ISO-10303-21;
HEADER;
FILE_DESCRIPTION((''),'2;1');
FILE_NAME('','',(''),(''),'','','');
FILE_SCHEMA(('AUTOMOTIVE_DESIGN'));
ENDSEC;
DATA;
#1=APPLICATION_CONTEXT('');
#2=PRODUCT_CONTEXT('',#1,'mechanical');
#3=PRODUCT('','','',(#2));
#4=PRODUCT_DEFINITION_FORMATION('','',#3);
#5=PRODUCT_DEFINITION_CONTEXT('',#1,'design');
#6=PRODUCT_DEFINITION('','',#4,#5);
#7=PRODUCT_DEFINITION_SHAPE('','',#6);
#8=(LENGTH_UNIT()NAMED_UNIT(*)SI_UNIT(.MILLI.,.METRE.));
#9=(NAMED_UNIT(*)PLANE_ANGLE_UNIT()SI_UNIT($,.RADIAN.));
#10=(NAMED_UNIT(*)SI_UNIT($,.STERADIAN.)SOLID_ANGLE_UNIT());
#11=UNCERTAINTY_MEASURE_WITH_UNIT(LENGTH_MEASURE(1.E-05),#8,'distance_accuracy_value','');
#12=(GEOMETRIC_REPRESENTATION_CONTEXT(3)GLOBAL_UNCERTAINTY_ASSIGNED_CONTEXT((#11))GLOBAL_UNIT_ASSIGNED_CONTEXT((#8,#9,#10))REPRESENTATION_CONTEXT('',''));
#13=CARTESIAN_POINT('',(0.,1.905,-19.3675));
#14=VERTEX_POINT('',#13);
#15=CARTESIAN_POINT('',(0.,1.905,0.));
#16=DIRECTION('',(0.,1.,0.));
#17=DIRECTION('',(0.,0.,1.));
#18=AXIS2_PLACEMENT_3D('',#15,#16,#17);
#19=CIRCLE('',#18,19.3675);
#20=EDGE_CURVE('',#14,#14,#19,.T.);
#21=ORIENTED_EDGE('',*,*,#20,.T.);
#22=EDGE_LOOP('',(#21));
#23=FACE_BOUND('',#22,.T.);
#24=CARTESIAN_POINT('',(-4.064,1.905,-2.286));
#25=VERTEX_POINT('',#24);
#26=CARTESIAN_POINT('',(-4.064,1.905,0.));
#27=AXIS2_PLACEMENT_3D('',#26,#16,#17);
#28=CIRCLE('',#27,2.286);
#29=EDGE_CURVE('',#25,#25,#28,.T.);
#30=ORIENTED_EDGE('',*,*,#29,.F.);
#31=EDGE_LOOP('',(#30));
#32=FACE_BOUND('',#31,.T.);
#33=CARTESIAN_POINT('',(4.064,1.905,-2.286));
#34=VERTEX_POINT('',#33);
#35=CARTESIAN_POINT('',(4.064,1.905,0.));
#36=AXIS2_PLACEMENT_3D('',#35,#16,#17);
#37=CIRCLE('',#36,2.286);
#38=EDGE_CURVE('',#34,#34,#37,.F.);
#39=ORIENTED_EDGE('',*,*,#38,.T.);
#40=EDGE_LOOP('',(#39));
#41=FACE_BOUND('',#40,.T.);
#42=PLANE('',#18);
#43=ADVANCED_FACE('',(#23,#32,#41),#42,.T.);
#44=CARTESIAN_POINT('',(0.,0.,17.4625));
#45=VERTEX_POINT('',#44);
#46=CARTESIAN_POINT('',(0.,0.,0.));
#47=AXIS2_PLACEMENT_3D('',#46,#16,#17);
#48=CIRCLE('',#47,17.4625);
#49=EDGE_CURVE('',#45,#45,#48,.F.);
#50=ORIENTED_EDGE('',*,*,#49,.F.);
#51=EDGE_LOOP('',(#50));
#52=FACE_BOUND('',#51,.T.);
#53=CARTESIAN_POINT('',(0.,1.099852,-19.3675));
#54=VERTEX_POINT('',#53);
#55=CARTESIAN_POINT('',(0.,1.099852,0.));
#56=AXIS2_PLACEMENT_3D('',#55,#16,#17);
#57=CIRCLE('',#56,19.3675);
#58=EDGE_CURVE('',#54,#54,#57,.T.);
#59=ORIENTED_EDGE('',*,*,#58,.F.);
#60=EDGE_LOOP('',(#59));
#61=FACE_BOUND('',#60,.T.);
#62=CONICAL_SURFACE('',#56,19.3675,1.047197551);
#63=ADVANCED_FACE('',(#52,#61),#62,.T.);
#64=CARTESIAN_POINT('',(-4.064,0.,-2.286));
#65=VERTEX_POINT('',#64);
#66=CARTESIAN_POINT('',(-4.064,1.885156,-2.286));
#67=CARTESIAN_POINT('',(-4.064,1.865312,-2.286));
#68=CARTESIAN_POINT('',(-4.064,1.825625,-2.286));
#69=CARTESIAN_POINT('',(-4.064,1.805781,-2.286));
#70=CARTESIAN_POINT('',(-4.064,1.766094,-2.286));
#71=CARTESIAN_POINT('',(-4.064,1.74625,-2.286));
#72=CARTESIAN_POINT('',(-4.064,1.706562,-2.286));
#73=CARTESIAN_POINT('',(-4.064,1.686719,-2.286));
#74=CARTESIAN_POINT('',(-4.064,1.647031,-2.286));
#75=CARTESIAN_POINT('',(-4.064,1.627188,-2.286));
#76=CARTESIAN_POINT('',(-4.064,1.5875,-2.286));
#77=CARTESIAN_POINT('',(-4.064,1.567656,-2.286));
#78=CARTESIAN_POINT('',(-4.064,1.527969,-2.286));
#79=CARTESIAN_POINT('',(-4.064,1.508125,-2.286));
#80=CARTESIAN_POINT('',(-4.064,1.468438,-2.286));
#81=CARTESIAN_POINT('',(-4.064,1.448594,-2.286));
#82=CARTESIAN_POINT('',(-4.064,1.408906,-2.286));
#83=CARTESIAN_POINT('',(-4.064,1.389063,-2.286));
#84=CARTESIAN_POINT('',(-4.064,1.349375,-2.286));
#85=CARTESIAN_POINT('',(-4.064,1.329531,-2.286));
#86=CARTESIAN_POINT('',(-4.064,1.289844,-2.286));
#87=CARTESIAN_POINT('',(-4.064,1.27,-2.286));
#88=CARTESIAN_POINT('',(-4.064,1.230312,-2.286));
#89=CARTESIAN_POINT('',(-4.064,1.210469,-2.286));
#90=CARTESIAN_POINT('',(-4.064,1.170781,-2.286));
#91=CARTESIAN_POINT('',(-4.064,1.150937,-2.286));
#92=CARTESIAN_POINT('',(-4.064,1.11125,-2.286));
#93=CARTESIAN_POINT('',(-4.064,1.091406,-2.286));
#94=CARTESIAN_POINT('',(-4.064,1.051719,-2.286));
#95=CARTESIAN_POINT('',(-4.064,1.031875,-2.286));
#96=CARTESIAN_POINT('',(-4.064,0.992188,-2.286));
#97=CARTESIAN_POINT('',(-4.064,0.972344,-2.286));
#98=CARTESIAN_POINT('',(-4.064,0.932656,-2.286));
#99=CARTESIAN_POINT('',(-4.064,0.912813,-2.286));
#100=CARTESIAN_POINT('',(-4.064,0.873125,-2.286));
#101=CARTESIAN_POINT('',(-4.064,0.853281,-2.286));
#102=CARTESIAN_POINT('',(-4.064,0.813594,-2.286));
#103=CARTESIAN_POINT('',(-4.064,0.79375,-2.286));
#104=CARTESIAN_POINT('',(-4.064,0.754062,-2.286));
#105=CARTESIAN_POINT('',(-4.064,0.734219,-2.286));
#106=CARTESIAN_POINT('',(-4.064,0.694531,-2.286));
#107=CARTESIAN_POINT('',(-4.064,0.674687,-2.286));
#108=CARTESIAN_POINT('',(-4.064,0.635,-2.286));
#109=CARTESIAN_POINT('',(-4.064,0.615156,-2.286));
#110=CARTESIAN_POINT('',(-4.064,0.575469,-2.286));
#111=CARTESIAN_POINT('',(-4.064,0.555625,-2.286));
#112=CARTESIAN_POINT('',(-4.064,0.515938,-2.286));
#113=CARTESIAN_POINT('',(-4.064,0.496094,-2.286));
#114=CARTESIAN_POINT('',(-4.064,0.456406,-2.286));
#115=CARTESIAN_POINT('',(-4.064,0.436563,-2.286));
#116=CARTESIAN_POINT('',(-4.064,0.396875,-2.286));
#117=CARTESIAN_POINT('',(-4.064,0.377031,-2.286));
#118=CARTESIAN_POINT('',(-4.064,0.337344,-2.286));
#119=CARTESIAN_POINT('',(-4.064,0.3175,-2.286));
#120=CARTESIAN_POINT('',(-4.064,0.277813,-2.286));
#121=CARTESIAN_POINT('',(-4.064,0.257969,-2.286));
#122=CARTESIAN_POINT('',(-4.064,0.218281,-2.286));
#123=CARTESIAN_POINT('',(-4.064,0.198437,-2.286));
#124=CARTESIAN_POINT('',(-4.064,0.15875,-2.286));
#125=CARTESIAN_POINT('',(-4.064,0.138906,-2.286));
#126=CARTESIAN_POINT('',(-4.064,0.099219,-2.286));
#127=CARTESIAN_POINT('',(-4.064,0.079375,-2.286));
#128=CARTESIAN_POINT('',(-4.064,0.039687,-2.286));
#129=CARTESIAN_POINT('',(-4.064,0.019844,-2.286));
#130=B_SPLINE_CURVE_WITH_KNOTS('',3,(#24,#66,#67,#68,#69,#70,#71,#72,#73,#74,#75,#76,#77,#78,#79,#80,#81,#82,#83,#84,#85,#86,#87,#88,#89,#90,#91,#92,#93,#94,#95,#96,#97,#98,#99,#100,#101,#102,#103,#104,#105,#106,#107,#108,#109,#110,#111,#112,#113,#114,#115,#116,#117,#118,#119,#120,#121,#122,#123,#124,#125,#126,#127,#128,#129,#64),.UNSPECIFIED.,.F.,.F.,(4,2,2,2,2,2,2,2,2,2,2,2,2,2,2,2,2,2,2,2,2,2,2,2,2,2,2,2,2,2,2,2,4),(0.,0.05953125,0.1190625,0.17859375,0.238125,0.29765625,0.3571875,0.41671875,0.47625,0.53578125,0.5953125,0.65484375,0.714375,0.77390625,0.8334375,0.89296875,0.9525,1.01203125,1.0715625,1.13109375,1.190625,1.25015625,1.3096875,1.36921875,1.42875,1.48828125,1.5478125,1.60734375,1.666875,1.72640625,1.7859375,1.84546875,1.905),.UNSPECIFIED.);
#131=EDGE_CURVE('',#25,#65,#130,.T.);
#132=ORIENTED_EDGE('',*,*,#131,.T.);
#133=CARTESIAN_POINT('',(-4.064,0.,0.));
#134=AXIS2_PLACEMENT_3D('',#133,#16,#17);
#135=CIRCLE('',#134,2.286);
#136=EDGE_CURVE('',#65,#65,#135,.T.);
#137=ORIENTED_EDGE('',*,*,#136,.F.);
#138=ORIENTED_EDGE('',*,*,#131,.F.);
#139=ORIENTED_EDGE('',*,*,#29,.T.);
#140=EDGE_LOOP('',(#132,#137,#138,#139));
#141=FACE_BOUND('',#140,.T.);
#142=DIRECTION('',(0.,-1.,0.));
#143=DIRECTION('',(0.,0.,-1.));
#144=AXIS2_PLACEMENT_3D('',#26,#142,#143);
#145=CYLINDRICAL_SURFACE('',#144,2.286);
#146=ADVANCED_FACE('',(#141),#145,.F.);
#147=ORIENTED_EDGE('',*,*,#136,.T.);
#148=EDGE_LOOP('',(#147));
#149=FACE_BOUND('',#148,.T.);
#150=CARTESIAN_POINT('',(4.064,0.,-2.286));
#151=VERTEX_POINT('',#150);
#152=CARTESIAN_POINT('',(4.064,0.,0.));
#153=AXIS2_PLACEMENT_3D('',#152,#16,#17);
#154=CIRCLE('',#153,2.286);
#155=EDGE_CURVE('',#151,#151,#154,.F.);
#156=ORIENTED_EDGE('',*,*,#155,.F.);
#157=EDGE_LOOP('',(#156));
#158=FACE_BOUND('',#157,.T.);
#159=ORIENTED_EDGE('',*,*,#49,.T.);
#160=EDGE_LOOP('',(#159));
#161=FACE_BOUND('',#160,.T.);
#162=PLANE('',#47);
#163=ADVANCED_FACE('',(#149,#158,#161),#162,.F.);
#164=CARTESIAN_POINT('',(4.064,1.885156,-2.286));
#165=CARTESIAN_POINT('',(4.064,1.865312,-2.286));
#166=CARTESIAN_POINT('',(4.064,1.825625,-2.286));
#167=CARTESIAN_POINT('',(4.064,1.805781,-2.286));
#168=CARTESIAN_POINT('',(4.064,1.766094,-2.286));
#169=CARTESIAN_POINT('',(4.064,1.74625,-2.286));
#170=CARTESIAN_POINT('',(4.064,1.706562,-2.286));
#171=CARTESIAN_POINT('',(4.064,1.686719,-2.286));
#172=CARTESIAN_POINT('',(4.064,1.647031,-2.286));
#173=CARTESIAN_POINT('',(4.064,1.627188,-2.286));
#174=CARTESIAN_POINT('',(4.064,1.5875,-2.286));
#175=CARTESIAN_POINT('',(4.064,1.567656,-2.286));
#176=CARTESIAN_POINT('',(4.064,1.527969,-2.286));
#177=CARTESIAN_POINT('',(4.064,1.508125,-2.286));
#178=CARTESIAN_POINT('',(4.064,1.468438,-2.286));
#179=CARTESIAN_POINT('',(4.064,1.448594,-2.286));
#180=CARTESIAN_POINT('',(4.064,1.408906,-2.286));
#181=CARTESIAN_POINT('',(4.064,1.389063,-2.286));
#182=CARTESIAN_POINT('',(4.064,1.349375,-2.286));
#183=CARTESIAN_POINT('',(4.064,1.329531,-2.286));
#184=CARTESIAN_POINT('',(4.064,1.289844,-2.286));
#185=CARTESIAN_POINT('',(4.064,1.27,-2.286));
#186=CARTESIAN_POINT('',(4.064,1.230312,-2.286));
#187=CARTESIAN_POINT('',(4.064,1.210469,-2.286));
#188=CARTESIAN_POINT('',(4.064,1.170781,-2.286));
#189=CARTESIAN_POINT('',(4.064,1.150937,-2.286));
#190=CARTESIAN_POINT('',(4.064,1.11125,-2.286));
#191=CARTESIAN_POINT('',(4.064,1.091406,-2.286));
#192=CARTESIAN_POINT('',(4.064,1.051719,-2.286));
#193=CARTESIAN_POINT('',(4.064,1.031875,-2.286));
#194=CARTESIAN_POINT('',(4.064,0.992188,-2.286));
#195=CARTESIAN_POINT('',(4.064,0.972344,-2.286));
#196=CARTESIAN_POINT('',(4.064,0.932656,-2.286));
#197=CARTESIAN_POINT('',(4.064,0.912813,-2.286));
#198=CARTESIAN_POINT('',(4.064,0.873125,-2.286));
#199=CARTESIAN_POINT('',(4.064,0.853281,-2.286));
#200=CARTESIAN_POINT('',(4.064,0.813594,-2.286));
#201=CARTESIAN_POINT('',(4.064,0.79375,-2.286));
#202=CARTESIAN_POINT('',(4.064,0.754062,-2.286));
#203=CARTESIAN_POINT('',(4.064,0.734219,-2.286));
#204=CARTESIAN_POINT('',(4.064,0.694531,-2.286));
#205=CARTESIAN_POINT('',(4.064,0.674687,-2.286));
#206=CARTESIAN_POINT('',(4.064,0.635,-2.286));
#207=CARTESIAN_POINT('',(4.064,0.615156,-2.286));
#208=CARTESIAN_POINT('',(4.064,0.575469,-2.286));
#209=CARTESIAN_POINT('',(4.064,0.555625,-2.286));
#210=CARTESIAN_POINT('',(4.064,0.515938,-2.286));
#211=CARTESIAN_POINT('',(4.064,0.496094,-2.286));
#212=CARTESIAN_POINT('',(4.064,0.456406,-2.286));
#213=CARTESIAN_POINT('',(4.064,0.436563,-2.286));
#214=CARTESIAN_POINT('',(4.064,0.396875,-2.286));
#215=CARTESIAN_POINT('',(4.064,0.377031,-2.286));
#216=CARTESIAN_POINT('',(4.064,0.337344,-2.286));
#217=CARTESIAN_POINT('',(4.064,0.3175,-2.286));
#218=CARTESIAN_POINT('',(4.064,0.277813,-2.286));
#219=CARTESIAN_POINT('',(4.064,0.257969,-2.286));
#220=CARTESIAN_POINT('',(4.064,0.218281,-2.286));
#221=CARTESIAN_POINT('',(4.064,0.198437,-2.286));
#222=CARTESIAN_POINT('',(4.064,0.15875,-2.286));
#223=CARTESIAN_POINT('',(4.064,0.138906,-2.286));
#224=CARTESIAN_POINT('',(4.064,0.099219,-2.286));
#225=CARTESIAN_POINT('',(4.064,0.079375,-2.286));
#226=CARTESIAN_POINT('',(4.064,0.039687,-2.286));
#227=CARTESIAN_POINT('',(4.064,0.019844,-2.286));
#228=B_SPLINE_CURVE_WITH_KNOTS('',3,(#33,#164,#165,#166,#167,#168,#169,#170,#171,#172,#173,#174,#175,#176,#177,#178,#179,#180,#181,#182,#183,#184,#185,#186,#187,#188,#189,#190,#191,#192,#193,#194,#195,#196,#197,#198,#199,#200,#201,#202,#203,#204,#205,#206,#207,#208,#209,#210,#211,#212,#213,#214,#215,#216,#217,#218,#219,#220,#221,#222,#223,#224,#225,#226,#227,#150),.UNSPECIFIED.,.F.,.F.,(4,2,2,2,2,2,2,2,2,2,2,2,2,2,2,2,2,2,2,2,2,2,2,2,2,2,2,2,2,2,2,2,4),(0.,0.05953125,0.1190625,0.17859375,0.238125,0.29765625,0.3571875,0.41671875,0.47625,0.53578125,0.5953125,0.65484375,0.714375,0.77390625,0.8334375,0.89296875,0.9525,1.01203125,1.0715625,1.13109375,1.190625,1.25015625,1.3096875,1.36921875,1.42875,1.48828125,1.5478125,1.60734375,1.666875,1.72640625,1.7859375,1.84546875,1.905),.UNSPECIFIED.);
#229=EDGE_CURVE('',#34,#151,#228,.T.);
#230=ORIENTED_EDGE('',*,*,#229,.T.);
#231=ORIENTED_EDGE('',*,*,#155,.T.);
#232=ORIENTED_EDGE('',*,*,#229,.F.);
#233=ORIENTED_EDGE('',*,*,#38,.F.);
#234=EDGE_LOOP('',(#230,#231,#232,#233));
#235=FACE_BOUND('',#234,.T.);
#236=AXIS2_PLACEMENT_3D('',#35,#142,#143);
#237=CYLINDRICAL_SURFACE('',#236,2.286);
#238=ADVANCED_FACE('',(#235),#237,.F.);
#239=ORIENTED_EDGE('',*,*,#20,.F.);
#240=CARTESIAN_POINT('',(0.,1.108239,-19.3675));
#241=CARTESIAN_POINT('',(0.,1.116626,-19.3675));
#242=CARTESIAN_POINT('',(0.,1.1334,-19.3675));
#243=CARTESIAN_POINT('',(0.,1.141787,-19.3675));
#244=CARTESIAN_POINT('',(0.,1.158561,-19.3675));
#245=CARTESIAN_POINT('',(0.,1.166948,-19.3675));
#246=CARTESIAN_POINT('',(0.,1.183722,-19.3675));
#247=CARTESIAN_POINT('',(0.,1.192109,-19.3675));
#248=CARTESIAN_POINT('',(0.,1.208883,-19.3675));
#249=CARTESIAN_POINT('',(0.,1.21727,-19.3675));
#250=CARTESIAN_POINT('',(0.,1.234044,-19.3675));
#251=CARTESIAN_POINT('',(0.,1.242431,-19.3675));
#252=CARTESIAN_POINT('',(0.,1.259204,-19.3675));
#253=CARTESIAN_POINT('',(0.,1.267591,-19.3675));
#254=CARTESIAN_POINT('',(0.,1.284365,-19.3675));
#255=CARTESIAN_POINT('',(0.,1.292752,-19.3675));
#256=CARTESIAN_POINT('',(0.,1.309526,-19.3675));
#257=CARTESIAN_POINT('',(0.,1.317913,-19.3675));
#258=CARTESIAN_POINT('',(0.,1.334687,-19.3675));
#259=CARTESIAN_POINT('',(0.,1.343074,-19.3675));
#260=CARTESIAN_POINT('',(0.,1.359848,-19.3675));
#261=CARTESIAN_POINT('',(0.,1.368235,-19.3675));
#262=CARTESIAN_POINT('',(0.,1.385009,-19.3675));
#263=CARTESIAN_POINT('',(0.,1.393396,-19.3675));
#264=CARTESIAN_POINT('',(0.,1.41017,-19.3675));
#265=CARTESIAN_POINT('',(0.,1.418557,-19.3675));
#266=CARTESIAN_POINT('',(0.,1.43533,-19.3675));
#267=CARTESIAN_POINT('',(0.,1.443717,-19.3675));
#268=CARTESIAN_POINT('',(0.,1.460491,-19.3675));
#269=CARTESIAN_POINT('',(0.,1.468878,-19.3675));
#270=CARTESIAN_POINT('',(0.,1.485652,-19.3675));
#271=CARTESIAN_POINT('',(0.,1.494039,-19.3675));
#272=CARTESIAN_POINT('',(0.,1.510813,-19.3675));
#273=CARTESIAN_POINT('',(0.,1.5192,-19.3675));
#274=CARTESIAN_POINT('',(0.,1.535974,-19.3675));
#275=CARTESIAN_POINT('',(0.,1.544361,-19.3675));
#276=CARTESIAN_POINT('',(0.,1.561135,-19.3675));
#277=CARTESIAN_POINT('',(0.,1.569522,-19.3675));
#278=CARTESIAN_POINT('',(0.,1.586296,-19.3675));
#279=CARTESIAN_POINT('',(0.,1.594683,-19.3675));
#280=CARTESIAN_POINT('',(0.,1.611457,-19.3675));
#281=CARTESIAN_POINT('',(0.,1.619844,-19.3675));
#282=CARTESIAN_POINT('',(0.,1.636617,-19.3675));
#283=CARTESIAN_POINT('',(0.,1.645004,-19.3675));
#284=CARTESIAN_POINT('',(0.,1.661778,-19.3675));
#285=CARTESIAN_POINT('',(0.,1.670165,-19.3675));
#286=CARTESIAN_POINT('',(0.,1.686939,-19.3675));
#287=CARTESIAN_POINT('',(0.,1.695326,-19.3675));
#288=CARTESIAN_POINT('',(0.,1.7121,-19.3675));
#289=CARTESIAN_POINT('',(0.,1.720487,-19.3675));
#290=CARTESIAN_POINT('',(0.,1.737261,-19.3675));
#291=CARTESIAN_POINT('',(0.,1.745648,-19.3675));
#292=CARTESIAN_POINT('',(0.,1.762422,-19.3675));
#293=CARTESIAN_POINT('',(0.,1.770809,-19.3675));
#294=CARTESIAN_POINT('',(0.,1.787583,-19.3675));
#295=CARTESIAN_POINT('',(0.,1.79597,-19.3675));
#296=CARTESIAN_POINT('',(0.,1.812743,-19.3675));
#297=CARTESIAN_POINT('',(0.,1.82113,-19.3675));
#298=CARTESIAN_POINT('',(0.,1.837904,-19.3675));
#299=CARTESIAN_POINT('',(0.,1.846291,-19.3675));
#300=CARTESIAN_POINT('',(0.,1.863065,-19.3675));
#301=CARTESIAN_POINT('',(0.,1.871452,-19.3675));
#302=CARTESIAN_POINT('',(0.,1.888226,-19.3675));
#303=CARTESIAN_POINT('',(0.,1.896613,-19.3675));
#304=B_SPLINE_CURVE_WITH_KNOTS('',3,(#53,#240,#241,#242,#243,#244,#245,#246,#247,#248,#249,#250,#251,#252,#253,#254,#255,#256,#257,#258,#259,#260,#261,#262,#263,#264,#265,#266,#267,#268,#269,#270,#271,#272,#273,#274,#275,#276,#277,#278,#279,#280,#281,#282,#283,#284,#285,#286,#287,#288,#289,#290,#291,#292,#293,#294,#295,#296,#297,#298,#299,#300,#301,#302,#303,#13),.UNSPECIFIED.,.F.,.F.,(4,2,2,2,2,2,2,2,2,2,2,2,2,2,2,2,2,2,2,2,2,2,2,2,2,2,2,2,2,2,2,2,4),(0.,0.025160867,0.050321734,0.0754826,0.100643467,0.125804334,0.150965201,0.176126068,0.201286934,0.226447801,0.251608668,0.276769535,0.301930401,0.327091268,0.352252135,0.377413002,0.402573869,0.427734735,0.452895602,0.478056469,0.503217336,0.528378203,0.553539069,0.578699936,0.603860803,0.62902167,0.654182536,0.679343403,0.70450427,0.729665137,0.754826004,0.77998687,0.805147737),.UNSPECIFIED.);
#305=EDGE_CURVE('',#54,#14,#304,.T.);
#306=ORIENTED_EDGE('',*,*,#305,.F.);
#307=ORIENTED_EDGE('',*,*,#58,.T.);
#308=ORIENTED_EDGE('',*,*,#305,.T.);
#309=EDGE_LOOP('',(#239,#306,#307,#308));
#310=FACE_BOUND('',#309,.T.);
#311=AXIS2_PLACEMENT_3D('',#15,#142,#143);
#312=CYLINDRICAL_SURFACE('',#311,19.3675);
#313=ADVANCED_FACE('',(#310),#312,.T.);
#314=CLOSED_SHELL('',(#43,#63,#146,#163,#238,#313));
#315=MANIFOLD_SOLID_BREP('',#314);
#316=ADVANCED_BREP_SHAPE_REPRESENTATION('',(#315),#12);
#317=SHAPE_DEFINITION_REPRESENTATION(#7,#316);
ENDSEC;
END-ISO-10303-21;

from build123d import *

# Parameters (mm, degrees)
SKETCH2_R           = 19.3675
SKETCH2_R_2         = 2.286
BOSS_EXTRUDE1_DEPTH = 1.905
CHAMFER1_SIZE       = 1.905
CHAMFER1_SIZE2      = 1.099852263


with BuildPart() as part:
    # Sketch2 → Boss-Extrude1 (new body)
    with BuildSketch(Plane(origin=(0, 0, 0), x_dir=(1, 0, 0), z_dir=(0, 1, 0))):
        with Locations(Location((0, 0, 0), (0, 0, 90))):
            Circle(SKETCH2_R)
        with Locations(Location((-4.064, 0, 0), (0, 0, 90))):
            Circle(SKETCH2_R_2, mode=Mode.SUBTRACT)
        with Locations(Location((4.064, 0, 0), (0, 0, 90))):
            Circle(SKETCH2_R_2, mode=Mode.SUBTRACT)
    extrude(amount=BOSS_EXTRUDE1_DEPTH)

    # Chamfer1
    chamfer1_edges = [part.edges().sort_by_distance(p)[0] for p in [
        (0, 0, 19.3675),
    ]]
    chamfer1_side = [part.faces().sort_by_distance(p)[0] for p in [
        (0, 0, 0),
    ]]
    chamfer(chamfer1_edges, length=CHAMFER1_SIZE, length2=CHAMFER1_SIZE2, reference=chamfer1_side[0])


solid = part.part
